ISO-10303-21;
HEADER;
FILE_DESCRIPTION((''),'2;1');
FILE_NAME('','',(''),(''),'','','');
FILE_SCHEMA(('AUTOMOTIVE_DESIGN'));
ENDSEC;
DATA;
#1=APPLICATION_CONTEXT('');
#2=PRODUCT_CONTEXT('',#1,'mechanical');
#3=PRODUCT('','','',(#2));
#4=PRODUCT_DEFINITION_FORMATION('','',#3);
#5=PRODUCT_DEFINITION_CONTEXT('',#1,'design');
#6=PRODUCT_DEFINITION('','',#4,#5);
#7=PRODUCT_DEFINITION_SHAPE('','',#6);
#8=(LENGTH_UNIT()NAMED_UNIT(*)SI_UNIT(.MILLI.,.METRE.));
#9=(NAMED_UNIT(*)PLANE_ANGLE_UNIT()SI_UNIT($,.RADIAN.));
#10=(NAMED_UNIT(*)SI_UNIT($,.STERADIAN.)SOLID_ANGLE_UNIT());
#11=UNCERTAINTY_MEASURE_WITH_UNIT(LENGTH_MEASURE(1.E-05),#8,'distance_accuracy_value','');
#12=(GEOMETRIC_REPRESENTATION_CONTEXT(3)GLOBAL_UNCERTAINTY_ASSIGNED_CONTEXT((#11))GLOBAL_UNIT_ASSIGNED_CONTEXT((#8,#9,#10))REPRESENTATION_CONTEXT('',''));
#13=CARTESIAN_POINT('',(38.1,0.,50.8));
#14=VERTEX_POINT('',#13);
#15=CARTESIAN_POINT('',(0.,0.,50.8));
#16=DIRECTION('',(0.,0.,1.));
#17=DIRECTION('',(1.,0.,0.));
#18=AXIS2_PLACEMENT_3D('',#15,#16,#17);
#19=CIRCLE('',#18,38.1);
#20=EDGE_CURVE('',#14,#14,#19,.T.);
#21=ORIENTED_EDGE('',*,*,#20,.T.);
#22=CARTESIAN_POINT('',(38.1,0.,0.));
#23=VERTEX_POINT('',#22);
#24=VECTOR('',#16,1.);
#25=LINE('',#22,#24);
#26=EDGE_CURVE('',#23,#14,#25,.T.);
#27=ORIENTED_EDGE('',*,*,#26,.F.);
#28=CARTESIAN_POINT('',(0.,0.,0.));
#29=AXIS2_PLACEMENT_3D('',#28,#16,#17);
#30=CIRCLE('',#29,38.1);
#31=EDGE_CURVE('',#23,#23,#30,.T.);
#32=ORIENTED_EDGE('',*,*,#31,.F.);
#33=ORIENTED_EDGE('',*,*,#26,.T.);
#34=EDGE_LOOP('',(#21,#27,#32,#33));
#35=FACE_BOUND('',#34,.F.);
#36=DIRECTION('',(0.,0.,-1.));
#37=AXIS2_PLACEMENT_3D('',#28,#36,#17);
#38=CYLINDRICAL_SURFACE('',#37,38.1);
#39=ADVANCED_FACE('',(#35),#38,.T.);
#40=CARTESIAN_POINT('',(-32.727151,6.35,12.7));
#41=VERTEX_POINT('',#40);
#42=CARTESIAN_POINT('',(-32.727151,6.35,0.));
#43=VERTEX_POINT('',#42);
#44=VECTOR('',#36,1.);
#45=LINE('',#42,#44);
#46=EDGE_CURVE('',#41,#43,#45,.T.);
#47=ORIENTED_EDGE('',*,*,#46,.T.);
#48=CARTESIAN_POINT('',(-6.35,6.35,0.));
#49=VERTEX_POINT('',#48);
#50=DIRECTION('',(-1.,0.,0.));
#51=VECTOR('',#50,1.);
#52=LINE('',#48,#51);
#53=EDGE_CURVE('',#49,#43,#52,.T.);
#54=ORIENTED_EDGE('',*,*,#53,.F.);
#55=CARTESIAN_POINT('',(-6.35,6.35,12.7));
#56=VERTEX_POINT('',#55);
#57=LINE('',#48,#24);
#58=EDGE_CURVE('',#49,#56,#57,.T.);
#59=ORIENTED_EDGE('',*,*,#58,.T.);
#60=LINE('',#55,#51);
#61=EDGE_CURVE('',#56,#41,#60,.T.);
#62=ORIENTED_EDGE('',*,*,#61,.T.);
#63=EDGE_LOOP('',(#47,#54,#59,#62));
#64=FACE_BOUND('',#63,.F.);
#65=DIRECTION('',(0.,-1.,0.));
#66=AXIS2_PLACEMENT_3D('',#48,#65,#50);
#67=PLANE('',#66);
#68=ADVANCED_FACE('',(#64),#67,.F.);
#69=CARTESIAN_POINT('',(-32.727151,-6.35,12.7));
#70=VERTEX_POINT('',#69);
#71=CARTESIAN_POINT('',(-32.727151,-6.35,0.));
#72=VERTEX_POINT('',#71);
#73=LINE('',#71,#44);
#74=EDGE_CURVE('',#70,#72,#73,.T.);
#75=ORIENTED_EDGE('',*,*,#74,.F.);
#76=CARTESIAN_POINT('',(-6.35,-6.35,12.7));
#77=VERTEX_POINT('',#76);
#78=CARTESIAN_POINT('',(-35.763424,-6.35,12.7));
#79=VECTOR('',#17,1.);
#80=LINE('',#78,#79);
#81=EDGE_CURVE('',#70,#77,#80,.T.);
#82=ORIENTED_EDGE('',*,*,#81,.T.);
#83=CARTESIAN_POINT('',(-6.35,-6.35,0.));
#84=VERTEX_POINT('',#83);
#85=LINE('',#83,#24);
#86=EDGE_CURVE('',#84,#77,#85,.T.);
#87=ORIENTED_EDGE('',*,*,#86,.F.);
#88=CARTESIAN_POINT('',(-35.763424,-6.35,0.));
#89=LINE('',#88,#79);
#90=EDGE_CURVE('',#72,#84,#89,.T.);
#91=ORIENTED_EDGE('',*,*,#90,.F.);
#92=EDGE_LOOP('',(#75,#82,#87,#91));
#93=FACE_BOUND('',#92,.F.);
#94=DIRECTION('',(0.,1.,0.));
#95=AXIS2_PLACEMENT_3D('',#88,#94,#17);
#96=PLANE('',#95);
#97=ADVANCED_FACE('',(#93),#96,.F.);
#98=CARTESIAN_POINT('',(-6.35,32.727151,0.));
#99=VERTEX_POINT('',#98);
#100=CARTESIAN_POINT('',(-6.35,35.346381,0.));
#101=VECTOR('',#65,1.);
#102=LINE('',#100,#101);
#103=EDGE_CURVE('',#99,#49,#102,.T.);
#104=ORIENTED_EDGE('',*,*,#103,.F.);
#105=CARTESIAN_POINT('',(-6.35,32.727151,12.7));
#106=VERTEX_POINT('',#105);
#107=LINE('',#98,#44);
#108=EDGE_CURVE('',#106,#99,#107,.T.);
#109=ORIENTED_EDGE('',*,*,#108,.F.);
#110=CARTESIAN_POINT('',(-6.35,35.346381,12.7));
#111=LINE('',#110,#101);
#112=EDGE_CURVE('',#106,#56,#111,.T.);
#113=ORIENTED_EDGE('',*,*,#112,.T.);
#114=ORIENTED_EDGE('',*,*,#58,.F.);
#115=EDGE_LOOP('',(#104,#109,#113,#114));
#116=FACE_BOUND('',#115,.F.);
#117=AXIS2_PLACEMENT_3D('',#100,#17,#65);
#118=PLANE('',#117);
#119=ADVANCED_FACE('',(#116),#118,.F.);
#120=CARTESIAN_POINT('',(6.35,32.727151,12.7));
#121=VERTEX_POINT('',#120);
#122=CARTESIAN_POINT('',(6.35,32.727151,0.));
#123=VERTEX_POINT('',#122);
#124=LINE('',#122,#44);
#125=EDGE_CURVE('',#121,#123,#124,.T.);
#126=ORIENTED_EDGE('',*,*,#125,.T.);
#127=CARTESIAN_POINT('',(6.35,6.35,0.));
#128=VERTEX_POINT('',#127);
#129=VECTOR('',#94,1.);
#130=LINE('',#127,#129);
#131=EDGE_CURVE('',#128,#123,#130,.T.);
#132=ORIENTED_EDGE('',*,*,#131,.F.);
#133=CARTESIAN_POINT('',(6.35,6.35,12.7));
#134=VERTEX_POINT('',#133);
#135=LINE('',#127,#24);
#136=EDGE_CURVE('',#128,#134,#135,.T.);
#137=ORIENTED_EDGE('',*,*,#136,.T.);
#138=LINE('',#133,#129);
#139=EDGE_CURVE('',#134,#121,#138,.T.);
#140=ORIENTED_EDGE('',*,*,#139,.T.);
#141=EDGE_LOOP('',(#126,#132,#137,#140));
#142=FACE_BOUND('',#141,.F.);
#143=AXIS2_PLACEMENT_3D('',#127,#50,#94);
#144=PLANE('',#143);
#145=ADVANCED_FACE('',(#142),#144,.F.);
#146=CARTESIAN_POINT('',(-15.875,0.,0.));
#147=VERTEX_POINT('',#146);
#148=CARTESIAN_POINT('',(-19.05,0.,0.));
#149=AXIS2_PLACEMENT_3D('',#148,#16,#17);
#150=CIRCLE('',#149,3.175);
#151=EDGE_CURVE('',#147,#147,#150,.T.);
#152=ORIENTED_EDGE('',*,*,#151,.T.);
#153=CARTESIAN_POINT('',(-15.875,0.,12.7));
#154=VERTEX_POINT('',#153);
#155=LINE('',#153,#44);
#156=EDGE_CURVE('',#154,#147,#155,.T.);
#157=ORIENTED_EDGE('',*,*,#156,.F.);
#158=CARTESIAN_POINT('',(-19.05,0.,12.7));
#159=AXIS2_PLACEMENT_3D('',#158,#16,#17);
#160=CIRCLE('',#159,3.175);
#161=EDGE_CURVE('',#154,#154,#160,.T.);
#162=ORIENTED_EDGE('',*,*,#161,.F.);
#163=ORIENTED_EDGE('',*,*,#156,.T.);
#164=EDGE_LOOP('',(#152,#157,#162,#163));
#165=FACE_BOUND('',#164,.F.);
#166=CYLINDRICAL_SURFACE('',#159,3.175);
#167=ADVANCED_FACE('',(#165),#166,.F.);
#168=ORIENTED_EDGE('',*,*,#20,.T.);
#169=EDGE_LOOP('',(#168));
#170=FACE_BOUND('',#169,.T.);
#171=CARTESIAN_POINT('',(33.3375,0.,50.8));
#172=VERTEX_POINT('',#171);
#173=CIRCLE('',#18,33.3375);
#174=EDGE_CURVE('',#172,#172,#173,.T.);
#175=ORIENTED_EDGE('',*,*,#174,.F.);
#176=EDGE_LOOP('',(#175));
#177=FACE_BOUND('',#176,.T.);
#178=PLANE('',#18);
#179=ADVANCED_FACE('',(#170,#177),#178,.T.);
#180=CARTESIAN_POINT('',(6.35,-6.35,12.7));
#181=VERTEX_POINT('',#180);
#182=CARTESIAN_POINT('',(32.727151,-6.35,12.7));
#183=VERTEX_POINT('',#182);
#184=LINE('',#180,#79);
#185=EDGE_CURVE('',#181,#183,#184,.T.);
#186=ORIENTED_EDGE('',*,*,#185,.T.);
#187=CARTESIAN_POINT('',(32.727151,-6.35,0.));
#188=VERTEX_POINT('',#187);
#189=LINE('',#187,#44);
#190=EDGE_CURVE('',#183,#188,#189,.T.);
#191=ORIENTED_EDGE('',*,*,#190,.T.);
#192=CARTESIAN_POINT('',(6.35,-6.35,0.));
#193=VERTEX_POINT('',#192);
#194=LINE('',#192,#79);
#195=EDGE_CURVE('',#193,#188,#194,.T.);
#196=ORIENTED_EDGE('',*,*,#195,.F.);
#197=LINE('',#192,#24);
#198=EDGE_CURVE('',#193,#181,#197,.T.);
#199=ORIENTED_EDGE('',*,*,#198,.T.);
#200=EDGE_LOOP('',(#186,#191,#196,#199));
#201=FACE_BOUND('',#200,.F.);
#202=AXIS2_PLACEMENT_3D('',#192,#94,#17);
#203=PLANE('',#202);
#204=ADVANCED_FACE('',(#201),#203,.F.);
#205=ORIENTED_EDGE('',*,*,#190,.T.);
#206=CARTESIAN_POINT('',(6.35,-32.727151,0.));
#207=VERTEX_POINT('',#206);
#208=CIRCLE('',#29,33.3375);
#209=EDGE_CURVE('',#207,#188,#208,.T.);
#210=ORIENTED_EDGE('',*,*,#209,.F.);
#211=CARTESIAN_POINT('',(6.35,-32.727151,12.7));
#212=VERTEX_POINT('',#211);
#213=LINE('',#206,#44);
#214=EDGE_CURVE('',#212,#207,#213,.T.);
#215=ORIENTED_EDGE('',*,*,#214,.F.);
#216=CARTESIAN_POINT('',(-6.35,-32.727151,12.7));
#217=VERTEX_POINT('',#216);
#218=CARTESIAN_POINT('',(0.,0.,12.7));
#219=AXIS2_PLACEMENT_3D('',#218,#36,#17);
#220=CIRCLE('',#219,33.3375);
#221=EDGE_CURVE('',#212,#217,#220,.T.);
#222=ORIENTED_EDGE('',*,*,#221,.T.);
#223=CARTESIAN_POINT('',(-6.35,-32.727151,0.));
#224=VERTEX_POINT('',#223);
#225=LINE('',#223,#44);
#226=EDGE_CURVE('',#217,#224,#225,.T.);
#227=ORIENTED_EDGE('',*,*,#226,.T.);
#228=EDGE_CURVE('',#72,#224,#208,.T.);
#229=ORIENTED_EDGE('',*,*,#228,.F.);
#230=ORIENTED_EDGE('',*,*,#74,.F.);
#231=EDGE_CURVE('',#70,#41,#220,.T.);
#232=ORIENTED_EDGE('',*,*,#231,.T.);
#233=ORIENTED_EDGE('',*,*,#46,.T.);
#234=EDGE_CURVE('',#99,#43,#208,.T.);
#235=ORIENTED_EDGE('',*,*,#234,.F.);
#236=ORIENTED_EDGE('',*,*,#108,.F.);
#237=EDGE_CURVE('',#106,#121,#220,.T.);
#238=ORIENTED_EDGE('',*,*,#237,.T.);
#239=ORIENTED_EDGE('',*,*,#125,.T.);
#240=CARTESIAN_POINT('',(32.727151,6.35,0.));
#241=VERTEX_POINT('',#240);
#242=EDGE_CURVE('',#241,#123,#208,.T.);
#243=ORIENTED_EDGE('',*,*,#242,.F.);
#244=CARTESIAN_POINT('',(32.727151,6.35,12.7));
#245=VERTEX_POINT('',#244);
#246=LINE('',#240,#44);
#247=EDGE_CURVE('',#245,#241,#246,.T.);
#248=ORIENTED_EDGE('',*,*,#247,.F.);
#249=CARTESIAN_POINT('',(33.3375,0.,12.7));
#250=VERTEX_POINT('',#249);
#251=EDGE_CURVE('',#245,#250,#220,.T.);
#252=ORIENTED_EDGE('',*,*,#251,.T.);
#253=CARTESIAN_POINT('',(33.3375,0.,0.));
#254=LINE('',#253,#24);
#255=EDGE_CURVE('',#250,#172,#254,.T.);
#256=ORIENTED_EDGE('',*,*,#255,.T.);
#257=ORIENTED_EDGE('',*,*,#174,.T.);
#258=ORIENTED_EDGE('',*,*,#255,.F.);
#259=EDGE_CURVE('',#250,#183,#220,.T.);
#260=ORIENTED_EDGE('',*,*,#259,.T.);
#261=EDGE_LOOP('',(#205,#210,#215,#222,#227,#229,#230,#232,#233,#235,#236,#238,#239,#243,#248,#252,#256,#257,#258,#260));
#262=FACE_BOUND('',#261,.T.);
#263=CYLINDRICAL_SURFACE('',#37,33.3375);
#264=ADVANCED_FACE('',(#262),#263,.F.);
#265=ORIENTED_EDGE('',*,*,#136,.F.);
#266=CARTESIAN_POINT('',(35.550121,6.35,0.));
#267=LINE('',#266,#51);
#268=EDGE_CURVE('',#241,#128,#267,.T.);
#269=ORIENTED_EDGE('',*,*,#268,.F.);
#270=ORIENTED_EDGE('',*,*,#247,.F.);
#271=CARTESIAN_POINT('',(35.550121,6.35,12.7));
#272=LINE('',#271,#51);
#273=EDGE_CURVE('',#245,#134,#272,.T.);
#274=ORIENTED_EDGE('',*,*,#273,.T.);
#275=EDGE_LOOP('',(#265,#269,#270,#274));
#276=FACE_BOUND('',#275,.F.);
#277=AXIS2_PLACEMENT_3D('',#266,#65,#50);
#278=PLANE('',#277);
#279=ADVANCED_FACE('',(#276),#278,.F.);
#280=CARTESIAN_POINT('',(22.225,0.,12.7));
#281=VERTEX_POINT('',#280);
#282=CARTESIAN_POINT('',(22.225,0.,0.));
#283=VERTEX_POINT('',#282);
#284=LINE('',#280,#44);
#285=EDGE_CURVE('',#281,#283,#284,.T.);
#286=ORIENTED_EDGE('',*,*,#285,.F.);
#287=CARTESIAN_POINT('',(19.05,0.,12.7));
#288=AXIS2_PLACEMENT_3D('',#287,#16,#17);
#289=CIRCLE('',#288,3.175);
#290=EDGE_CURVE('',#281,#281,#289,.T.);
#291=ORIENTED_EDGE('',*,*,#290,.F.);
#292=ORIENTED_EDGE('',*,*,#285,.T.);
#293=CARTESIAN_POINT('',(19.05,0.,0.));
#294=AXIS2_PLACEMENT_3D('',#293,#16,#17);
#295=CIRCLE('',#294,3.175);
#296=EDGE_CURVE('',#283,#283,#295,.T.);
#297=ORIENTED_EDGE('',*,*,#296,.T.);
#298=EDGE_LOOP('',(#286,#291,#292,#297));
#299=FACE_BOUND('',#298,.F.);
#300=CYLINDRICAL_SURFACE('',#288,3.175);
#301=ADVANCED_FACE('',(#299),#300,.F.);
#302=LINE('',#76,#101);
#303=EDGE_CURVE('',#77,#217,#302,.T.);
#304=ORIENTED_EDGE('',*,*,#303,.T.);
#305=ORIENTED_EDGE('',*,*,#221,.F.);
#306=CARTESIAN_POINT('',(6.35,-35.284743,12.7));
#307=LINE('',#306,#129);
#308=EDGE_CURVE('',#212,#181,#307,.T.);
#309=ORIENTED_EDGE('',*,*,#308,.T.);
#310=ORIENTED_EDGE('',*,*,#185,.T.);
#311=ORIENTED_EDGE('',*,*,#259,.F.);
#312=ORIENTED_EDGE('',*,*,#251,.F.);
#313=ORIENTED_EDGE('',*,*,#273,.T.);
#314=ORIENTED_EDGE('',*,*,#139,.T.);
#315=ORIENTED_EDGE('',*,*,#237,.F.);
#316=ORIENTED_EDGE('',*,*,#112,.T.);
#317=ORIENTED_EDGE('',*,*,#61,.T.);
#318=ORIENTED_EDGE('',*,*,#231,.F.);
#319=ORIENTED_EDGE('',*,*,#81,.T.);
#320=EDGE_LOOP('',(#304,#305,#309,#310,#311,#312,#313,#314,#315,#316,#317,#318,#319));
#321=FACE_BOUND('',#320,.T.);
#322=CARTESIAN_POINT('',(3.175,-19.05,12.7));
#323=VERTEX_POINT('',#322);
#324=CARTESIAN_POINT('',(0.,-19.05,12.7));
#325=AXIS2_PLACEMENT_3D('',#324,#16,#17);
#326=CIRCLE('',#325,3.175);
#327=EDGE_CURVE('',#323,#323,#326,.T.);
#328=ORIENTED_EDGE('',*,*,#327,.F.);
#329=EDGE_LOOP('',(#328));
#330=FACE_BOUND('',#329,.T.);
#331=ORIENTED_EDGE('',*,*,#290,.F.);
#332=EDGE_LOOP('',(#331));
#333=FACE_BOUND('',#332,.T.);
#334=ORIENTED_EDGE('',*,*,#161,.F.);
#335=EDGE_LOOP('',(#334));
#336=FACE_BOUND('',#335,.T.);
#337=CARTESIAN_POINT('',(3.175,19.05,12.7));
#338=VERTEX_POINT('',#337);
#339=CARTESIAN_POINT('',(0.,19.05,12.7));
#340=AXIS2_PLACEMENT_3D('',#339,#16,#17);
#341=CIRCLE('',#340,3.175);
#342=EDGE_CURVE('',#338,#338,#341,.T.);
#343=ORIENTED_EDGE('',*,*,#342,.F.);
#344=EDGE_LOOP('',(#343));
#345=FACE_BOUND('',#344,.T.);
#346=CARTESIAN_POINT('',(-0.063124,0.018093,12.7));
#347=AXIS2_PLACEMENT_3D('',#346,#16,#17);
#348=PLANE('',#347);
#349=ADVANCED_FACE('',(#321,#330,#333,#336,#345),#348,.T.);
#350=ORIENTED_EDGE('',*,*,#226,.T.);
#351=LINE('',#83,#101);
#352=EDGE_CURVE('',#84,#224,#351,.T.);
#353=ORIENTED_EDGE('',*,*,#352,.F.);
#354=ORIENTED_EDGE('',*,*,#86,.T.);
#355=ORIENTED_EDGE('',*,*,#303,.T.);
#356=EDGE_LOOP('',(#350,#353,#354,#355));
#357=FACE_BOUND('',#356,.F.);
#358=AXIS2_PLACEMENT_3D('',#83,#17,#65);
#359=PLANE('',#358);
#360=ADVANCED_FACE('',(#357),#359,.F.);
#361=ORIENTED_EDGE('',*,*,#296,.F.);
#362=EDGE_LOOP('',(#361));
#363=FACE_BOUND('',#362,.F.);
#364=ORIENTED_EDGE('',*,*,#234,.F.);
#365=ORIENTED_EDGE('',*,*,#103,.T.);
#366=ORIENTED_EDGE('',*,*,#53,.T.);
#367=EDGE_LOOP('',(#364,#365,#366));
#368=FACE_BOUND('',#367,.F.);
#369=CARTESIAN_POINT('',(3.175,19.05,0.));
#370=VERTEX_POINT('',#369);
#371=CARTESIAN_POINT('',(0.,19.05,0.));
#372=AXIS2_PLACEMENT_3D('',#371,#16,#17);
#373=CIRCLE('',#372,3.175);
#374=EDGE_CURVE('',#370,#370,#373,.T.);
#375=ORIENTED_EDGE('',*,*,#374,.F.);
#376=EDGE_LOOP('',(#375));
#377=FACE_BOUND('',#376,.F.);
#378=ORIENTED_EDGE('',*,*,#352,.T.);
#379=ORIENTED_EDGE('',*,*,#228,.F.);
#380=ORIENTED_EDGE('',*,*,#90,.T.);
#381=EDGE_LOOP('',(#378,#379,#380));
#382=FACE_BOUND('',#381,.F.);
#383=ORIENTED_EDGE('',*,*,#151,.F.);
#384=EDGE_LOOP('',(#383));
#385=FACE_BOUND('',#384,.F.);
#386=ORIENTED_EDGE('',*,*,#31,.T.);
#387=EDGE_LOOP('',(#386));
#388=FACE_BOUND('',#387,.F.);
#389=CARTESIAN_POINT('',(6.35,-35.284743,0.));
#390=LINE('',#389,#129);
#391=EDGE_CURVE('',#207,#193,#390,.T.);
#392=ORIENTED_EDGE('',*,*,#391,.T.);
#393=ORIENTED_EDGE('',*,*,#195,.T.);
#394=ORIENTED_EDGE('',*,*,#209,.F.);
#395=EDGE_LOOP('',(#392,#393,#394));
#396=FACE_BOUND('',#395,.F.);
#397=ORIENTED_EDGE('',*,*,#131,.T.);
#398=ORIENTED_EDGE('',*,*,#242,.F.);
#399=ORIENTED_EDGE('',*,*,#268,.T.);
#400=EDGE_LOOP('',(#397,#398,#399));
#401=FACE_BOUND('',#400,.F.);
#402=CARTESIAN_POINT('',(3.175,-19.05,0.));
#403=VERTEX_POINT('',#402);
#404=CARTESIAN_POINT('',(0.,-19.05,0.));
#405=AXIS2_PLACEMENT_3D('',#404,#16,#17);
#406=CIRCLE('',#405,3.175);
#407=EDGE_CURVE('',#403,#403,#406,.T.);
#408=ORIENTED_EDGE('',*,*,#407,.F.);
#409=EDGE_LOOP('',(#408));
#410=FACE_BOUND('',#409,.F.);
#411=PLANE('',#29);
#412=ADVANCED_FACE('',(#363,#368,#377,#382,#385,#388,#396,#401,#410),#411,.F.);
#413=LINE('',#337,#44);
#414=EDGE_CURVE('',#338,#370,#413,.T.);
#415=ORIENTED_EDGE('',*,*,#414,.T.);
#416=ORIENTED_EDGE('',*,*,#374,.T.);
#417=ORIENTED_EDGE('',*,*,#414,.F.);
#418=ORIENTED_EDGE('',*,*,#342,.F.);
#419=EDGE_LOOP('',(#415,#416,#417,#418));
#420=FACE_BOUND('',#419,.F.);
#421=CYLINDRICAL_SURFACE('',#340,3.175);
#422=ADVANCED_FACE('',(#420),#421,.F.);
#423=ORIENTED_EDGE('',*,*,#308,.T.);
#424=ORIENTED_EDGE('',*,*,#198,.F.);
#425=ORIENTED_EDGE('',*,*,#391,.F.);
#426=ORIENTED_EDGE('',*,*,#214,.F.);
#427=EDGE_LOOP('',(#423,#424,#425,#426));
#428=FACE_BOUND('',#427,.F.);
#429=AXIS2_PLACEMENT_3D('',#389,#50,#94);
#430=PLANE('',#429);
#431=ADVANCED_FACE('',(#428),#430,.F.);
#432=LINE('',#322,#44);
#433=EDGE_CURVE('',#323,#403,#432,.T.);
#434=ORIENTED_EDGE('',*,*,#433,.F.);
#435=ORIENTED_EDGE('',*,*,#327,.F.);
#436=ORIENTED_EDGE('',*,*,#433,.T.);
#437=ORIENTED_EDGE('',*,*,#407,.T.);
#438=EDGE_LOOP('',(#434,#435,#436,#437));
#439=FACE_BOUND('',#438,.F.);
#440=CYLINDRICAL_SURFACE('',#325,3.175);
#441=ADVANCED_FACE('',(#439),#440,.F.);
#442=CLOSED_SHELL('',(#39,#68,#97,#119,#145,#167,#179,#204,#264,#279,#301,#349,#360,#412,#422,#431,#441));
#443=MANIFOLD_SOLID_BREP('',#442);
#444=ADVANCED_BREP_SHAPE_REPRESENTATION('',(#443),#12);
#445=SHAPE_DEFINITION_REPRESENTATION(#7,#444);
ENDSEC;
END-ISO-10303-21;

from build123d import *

# Parameters (mm, degrees)
F0_R     = 38.1
F0_R_2   = 33.3375
F1_DEPTH = 50.8
F3_DEPTH = 12.7
F4_R     = 3.175
F5_DEPTH = 25.4


with BuildPart() as f1:
    # F0 (on Top) → F1 (new body)
    with BuildSketch(Plane.XY):
        Circle(F0_R)
        Circle(F0_R_2, mode=Mode.SUBTRACT)
    extrude(amount=F1_DEPTH)

    # F2 (on Top) → F3 (join)
    with BuildSketch(Plane.XY):
        Polygon((-6.35, 35.346381), (-6.35, 6.35), (-35.763424, 6.35), (-35.763424, -6.35), (-6.35, -6.35), (-6.35, -35.284743), (6.35, -35.284743), (6.35, -6.35), (35.550121, -6.35), (35.550121, 6.35), (6.35, 6.35), (6.35, 35.346381), align=None)
    extrude(amount=F3_DEPTH)

    # F4 (on face) → F5 (cut)
    with BuildSketch(Plane.XY.offset(12.7)):
        with Locations((-19.05, 0)):
            Circle(F4_R)
        with Locations((19.05, 0)):
            Circle(F4_R)
        with Locations((0, 19.05)):
            Circle(F4_R)
        with Locations((0, -19.05)):
            Circle(F4_R)
    extrude(amount=-F5_DEPTH, mode=Mode.SUBTRACT)


solid = f1.part
